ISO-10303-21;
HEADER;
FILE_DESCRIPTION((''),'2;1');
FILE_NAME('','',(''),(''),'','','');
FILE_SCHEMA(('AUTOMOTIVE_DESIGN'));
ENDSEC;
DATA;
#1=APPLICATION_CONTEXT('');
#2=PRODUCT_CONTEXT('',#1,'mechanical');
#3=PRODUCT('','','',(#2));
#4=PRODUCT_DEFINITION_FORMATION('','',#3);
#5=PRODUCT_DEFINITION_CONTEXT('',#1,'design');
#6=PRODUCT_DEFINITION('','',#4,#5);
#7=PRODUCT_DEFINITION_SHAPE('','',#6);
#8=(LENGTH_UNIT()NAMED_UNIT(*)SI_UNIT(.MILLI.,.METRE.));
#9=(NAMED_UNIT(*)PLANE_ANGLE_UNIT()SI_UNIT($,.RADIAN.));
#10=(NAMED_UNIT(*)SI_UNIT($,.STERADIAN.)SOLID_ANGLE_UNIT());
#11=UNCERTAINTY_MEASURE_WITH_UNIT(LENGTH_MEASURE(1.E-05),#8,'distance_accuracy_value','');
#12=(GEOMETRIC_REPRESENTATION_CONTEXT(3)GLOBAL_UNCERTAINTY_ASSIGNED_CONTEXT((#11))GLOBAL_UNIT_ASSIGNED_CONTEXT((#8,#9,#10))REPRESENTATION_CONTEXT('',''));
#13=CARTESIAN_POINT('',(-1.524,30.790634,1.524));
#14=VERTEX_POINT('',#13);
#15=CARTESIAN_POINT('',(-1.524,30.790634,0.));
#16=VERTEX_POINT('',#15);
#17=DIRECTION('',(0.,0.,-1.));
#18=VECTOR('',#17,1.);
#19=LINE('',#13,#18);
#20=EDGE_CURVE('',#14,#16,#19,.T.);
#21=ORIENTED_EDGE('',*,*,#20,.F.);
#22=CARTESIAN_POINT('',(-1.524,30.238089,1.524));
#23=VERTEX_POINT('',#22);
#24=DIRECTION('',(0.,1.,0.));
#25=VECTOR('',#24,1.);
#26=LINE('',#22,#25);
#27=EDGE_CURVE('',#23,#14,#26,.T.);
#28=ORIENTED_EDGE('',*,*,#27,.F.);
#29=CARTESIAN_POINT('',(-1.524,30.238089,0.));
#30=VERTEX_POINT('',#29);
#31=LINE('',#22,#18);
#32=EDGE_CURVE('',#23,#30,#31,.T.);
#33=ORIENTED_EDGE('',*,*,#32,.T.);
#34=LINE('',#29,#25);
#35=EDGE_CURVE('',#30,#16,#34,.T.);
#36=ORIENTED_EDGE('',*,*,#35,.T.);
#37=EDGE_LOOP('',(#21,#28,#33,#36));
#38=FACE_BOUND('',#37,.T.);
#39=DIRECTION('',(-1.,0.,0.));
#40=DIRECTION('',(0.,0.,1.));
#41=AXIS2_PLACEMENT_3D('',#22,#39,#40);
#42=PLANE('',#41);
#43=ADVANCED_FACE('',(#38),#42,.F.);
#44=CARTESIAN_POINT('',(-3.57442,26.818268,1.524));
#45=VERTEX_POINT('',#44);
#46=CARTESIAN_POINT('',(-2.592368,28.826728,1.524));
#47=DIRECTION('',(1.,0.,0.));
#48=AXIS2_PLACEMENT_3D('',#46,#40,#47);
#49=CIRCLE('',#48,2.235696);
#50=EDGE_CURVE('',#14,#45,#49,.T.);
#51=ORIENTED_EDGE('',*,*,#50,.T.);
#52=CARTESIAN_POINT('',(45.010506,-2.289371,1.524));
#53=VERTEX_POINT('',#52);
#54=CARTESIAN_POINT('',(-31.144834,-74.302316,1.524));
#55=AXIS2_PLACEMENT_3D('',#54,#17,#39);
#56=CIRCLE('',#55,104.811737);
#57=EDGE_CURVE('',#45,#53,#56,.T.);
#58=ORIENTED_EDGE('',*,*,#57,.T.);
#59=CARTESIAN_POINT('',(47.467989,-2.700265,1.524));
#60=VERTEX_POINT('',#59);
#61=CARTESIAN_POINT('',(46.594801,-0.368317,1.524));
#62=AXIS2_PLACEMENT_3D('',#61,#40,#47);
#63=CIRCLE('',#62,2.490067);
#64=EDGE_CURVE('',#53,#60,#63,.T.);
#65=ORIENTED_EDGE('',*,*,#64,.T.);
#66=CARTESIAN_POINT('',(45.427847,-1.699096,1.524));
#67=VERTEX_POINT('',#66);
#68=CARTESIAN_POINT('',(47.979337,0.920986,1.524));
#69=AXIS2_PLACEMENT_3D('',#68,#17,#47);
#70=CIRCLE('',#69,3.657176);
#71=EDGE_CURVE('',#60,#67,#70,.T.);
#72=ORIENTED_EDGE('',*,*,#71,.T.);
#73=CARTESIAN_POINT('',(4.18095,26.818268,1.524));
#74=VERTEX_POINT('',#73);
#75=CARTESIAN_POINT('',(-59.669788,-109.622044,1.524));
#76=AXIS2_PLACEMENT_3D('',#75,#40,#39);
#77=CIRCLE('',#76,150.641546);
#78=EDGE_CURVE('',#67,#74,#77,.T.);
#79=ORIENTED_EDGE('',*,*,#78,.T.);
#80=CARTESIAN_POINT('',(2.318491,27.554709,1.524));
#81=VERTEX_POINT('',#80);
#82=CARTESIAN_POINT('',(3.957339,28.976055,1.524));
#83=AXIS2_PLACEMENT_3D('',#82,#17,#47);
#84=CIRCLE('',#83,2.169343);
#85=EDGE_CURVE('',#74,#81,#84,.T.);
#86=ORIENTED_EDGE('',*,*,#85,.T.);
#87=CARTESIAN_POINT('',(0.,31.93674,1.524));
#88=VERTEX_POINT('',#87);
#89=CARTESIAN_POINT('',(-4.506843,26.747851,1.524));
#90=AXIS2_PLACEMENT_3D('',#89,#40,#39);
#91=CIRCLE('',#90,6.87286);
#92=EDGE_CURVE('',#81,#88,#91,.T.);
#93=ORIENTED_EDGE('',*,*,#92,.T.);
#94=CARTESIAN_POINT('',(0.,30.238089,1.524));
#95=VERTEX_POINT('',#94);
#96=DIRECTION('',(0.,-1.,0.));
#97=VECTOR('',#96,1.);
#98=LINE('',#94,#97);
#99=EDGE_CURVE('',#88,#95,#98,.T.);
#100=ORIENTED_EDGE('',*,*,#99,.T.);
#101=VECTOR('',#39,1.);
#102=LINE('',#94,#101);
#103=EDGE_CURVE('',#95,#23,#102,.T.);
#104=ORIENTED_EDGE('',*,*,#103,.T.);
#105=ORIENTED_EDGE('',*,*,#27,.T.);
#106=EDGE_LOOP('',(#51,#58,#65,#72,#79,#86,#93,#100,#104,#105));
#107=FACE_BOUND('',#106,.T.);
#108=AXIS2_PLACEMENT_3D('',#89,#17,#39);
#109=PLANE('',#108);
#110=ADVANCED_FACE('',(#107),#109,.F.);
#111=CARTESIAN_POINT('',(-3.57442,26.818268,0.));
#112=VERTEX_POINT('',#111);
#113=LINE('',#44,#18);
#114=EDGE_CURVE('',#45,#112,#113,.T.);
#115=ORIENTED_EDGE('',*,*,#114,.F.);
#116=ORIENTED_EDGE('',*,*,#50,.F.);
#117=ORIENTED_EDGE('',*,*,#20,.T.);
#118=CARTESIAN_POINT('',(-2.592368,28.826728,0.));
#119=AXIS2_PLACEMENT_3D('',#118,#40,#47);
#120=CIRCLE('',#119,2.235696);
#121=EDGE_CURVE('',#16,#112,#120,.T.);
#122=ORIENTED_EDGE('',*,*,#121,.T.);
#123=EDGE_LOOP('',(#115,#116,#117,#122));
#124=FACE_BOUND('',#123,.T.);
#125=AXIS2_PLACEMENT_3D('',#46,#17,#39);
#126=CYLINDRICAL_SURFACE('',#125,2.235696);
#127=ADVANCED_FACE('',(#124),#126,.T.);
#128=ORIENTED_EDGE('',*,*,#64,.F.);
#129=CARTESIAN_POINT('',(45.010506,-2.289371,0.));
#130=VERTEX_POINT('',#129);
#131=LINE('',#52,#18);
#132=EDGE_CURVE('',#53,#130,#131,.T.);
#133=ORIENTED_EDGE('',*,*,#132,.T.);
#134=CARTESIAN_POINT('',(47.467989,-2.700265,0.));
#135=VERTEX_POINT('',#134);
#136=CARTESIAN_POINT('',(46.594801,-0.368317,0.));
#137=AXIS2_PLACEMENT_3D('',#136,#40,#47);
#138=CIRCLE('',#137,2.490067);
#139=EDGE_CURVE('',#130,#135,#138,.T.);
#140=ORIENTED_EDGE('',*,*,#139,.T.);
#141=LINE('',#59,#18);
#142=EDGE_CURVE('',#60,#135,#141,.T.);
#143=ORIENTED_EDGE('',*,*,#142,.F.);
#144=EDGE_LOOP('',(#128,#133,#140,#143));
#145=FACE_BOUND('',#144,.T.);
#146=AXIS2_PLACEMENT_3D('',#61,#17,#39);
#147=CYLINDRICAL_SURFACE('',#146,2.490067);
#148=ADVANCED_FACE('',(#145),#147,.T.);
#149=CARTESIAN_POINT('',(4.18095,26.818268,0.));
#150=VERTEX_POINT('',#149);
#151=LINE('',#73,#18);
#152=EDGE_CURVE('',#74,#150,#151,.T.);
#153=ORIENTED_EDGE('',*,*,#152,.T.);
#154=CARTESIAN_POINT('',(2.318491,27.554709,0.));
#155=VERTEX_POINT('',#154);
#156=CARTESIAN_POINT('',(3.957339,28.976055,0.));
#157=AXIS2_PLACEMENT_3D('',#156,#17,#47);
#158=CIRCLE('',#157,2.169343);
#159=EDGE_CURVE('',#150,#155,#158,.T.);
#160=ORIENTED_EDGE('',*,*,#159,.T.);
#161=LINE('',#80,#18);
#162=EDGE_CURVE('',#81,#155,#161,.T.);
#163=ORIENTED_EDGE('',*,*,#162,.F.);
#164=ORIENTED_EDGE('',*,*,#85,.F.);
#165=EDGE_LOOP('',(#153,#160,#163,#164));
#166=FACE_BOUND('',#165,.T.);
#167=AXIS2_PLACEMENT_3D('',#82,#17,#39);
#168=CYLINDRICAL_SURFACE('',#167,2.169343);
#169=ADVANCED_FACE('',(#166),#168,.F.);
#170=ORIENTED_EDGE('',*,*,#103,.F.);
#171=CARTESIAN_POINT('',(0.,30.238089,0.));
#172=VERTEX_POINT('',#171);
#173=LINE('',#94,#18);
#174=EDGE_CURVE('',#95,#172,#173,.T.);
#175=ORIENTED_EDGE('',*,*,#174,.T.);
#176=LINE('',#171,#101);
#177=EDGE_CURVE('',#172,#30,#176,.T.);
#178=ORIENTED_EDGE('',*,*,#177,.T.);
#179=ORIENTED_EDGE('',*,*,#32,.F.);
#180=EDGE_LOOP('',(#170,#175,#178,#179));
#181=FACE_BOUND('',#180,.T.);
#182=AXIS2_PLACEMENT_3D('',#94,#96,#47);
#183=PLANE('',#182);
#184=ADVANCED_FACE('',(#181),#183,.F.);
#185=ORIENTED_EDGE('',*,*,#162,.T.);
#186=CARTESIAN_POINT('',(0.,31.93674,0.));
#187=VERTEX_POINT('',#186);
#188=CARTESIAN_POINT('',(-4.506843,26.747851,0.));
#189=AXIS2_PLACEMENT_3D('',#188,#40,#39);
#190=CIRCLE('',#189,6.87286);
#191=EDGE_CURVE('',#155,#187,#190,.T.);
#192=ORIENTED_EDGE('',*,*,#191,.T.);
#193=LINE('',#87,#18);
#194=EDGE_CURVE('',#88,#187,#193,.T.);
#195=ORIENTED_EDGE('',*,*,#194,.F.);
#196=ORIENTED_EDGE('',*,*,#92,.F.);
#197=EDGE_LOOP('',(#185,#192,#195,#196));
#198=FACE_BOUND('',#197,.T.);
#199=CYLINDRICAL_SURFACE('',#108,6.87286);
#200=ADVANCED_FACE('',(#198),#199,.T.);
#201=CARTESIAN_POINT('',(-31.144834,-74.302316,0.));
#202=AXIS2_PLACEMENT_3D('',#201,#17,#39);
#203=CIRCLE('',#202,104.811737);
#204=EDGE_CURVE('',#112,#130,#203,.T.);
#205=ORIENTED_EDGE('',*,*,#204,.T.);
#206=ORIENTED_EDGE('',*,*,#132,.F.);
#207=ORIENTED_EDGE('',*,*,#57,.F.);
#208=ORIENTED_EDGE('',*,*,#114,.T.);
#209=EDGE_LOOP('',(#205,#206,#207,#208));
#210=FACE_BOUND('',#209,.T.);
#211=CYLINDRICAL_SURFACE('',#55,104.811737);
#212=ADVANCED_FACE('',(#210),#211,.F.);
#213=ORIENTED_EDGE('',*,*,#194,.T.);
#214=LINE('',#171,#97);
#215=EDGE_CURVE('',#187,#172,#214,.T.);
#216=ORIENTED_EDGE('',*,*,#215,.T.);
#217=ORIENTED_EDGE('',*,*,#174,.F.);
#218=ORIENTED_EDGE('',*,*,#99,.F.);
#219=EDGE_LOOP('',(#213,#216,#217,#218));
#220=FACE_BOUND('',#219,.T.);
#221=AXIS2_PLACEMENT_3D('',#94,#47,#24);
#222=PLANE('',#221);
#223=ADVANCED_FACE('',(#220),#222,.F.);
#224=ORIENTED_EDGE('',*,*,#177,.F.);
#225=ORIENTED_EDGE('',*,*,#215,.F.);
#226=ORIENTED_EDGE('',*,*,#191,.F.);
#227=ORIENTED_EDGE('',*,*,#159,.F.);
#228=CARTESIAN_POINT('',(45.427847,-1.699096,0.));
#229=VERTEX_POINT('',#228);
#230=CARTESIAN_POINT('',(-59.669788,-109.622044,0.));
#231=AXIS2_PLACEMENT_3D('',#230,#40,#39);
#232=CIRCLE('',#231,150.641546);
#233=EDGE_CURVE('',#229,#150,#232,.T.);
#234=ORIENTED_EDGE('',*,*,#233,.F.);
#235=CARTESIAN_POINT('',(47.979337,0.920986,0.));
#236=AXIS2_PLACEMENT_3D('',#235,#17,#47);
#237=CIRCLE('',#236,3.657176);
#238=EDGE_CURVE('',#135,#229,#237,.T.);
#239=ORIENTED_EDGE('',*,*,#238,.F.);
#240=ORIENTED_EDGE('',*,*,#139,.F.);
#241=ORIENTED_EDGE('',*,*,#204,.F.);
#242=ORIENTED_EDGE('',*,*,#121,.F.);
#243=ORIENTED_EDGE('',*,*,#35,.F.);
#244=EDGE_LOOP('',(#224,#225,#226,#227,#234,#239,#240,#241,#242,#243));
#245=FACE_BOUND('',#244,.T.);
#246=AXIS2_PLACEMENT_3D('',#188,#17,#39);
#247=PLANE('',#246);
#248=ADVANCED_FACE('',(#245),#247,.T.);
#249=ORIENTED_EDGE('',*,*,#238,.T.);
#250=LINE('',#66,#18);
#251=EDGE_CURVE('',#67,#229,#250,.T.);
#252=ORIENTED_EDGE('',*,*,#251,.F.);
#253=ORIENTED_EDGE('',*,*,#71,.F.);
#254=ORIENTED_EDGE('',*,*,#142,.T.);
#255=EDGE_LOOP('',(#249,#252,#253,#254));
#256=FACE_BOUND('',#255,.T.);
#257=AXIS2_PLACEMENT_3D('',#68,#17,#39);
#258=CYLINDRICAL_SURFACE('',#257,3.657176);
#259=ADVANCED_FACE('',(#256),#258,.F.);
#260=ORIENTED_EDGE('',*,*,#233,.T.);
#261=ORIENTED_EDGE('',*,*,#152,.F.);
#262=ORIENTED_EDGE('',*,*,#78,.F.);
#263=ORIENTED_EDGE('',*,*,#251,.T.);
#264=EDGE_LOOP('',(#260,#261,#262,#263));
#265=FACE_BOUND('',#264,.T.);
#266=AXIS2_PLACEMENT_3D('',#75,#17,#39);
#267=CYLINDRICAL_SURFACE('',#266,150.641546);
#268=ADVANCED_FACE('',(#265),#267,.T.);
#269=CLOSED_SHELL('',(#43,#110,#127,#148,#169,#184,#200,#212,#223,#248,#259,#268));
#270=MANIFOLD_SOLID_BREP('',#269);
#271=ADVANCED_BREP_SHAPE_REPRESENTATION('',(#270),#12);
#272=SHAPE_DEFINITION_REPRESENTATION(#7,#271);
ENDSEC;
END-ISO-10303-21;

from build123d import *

# Parameters (mm, degrees)
BOSS_EXTRUDE1_DEPTH = 1.524


with BuildPart() as part:
    # Sketch1 → Boss-Extrude1 (new body)
    with BuildSketch(Plane.XY):
        with BuildLine():
            Line((0, 30.238088669), (-1.524, 30.238088669))
            Line((-1.524, 30.238088669), (-1.524, 30.790634065))
            ThreePointArc((-1.524, 30.790634065), (-4.57902006, 29.852179907), (-3.574419861, 26.818267876))
            ThreePointArc((-3.574419861, 26.818267876), (22.721404873, 15.60835362), (45.010506388, -2.289370529))
            ThreePointArc((45.010506388, -2.289370529), (46.184159064, -2.824291441), (47.467988652, -2.700264938))
            ThreePointArc((47.467988652, -2.700264938), (46.368179039, -2.362168668), (45.427846615, -1.69909612))
            ThreePointArc((45.427846615, -1.69909612), (25.999332487, 14.287912382), (4.180950484, 26.818267876))
            ThreePointArc((4.180950484, 26.818267876), (3.159648615, 26.95869619), (2.318491113, 27.55470934))
            ThreePointArc((2.318491113, 27.55470934), (1.568114485, 29.962053436), (0, 31.936740157))
            Line((0, 31.936740157), (0, 30.238088669))
        make_face()
    extrude(amount=BOSS_EXTRUDE1_DEPTH)


solid = part.part
